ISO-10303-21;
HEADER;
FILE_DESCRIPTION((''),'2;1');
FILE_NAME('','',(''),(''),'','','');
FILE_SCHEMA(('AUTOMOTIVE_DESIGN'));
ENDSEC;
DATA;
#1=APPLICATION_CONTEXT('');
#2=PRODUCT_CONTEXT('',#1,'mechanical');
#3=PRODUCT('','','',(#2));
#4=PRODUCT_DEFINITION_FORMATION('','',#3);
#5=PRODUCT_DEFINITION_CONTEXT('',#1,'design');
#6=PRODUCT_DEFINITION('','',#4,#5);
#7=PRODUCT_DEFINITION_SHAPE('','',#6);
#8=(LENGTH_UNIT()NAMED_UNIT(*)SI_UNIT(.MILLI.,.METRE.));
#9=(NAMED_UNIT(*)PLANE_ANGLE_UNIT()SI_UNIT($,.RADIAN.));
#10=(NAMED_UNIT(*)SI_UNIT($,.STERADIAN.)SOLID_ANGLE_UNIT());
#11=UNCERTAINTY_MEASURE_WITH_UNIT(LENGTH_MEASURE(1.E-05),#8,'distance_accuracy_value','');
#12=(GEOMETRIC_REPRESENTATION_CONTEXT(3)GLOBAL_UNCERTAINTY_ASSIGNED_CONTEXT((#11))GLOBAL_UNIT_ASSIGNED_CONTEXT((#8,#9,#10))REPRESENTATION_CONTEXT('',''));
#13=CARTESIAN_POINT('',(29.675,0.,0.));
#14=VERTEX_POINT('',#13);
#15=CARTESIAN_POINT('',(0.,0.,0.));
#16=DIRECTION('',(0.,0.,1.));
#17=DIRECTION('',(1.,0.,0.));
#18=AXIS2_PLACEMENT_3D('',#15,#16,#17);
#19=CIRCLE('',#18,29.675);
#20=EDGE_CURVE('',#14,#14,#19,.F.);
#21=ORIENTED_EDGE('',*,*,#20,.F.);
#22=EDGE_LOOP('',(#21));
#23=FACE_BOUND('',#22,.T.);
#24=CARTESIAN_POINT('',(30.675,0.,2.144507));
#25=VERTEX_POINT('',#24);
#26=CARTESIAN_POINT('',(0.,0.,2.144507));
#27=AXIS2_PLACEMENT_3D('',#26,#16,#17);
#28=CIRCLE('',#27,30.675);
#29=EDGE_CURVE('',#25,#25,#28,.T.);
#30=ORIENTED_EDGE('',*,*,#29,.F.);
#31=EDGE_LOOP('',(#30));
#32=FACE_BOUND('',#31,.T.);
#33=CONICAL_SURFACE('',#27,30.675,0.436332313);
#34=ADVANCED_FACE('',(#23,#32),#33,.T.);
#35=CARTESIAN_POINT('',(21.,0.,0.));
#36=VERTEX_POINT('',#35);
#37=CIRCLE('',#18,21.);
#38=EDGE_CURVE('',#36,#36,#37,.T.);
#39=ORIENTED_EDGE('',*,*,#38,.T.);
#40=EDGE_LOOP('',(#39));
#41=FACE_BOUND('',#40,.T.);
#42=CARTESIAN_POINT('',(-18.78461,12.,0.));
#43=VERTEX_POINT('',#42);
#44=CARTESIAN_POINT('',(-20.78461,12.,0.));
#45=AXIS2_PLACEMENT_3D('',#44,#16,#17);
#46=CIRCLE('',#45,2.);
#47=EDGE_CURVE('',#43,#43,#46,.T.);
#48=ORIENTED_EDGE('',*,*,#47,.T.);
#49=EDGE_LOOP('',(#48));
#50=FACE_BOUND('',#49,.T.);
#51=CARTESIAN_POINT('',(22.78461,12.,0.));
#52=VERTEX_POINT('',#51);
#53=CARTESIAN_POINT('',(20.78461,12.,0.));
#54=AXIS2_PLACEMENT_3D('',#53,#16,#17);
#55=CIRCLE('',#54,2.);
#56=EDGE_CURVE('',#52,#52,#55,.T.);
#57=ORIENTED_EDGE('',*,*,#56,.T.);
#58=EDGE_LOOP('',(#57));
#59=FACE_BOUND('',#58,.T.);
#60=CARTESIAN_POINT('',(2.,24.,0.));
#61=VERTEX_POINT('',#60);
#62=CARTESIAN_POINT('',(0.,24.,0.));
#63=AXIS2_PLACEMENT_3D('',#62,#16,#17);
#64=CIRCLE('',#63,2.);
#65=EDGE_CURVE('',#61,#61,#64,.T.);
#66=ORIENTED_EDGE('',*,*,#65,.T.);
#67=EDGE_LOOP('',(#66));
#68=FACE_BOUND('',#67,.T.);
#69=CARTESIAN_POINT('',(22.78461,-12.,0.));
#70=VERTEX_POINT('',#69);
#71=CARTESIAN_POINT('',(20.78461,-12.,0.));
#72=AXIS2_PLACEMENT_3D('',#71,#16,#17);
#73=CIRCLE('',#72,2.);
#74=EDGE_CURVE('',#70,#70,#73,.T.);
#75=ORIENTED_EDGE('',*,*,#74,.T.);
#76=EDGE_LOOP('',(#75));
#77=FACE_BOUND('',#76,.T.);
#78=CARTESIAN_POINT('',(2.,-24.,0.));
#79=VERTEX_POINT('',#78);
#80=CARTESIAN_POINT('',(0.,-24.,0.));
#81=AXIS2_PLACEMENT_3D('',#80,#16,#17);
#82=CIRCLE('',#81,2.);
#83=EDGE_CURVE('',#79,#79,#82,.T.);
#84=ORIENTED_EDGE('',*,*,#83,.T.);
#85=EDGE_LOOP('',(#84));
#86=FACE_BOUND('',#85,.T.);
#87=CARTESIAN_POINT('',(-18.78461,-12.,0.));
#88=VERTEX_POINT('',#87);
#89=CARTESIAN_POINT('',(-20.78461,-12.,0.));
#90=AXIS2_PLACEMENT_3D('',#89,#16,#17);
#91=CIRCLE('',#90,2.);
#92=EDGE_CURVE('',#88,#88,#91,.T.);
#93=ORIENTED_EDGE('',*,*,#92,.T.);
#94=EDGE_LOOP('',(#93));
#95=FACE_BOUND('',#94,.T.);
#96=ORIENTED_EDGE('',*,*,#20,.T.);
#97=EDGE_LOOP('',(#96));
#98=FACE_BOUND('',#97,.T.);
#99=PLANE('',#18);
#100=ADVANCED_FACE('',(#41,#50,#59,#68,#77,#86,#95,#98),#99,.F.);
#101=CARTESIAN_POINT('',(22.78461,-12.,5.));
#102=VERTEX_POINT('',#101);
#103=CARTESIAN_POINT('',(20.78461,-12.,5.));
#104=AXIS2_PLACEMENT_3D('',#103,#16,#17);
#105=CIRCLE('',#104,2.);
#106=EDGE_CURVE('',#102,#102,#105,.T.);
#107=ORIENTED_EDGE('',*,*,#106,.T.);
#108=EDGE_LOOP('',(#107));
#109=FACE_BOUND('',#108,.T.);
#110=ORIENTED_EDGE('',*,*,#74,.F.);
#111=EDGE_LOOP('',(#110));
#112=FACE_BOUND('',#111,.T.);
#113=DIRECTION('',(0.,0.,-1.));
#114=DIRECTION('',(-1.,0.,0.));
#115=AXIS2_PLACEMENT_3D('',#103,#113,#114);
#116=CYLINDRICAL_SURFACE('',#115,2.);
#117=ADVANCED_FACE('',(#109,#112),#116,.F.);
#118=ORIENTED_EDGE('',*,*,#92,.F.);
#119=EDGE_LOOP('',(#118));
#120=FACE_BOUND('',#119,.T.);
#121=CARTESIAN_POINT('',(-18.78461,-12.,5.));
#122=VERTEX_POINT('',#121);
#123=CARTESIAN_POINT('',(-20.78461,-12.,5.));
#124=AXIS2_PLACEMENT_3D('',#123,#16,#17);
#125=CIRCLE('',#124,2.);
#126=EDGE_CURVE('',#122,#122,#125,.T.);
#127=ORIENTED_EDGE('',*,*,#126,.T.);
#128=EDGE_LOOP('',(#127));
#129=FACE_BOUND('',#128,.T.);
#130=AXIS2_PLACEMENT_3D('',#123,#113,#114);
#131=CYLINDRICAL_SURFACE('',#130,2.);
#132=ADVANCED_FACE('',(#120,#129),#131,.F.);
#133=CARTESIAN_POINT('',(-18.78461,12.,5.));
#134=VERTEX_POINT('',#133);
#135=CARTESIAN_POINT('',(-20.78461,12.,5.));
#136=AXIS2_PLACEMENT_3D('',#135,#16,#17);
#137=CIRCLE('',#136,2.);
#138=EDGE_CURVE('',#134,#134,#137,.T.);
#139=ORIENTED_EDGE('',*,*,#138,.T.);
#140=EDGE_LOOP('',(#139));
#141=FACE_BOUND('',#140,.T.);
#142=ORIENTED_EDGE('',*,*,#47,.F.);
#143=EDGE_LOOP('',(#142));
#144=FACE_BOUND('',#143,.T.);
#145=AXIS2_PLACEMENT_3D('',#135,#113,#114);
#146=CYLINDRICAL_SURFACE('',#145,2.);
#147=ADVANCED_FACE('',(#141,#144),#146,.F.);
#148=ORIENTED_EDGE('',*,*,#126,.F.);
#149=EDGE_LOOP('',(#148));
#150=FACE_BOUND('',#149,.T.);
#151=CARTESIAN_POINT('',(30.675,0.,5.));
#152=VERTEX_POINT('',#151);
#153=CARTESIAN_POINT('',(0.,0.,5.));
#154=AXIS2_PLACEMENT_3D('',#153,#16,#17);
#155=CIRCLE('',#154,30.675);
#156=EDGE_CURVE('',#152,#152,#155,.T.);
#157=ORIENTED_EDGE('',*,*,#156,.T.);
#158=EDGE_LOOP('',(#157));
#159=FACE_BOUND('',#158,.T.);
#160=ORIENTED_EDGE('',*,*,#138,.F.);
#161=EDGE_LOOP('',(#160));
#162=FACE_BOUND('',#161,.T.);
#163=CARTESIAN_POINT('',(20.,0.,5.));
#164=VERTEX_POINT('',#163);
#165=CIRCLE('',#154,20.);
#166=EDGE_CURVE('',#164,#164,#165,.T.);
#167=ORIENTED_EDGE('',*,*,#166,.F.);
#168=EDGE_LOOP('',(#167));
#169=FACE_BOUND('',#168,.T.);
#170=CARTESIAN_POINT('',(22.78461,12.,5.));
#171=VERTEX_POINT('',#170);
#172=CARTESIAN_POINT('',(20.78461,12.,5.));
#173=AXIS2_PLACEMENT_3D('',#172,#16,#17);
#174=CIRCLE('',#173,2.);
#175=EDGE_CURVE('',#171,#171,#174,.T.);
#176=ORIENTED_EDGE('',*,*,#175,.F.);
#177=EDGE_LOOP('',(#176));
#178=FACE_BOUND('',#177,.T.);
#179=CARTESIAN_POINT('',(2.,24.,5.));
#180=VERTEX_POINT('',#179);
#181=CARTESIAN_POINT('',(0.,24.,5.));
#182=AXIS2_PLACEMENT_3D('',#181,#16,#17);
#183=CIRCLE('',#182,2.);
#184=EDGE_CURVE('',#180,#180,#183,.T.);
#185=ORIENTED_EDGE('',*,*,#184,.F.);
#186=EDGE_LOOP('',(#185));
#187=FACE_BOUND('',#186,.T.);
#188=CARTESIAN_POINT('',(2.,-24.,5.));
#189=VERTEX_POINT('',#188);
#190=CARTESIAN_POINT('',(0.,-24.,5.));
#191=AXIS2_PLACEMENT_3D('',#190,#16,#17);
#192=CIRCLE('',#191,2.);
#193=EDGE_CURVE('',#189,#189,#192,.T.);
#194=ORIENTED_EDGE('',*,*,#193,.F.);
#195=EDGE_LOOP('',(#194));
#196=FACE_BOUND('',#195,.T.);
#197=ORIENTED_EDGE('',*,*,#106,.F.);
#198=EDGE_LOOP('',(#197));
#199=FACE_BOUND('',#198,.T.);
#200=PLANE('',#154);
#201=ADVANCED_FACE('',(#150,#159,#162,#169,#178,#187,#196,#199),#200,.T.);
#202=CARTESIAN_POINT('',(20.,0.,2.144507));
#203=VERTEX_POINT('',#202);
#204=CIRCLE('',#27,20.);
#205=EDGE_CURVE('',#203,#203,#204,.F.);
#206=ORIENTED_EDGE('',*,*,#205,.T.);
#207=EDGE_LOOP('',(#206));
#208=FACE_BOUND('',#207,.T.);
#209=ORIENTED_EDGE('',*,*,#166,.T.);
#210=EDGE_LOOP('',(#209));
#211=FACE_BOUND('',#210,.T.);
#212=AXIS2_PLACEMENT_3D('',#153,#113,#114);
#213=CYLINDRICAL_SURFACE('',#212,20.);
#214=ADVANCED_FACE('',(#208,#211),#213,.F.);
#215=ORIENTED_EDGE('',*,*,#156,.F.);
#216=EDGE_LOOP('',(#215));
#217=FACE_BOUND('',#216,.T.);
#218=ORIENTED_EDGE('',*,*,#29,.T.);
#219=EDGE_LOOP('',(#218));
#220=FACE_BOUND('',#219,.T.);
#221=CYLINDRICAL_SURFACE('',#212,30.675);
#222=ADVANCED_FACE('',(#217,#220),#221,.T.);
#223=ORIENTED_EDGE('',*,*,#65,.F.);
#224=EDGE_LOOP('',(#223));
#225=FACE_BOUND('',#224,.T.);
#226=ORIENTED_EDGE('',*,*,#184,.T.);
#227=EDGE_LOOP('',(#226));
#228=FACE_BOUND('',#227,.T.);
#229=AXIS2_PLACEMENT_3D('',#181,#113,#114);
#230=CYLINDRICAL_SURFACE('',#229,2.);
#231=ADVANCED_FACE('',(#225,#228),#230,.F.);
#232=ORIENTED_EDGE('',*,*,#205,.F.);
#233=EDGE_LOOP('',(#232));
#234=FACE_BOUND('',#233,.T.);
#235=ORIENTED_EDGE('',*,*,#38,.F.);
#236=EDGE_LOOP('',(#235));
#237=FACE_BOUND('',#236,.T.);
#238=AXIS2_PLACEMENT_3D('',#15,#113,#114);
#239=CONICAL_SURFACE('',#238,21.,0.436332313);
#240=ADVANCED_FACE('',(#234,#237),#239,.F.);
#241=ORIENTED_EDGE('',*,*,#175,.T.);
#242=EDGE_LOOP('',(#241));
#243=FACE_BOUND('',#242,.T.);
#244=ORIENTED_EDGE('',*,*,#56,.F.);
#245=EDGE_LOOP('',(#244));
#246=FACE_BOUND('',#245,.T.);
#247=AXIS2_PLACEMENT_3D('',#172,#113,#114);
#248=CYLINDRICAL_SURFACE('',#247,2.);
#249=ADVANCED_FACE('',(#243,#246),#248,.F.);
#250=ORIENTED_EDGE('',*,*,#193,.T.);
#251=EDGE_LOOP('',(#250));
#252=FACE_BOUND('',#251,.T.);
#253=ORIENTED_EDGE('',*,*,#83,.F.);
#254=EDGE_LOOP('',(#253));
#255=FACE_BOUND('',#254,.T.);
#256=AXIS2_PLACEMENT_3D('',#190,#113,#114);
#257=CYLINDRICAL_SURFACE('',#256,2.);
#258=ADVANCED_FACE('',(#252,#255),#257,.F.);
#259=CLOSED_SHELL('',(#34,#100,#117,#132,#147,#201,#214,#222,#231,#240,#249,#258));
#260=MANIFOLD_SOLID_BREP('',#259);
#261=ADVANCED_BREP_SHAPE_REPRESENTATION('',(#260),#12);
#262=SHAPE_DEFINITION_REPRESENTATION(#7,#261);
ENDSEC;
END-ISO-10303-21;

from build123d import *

# Parameters (mm, degrees)
SKETCH1_R           = 30.675
SKETCH1_R_2         = 2
SKETCH1_R_3         = 20
BOSS_EXTRUDE1_DEPTH = 5
CHAMFER6_SIZE       = 1
CHAMFER6_SIZE2      = 2.144506921


with BuildPart() as part:
    # Sketch1 → Boss-Extrude1 (new body)
    with BuildSketch(Plane.XY):
        Circle(SKETCH1_R)
        with Locations((0, 24)):
            Circle(SKETCH1_R_2, mode=Mode.SUBTRACT)
        Circle(SKETCH1_R_3, mode=Mode.SUBTRACT)
        with Locations((20.784609691, 12)):
            Circle(SKETCH1_R_2, mode=Mode.SUBTRACT)
        with Locations((20.784609691, -12)):
            Circle(SKETCH1_R_2, mode=Mode.SUBTRACT)
        with Locations((0, -24)):
            Circle(SKETCH1_R_2, mode=Mode.SUBTRACT)
        with Locations((-20.784609691, -12)):
            Circle(SKETCH1_R_2, mode=Mode.SUBTRACT)
        with Locations((-20.784609691, 12)):
            Circle(SKETCH1_R_2, mode=Mode.SUBTRACT)
    extrude(amount=BOSS_EXTRUDE1_DEPTH)

    # Chamfer6
    chamfer6_edges = [part.edges().sort_by_distance(p)[0] for p in [
        (-30.675, 0, 0),
        (-20, 0, 0),
    ]]
    chamfer6_side = [part.faces().sort_by_distance(p)[0] for p in [
        (-29.807379979, 0, 0),
    ]]
    chamfer(chamfer6_edges, length=CHAMFER6_SIZE, length2=CHAMFER6_SIZE2, reference=chamfer6_side[0])


solid = part.part
